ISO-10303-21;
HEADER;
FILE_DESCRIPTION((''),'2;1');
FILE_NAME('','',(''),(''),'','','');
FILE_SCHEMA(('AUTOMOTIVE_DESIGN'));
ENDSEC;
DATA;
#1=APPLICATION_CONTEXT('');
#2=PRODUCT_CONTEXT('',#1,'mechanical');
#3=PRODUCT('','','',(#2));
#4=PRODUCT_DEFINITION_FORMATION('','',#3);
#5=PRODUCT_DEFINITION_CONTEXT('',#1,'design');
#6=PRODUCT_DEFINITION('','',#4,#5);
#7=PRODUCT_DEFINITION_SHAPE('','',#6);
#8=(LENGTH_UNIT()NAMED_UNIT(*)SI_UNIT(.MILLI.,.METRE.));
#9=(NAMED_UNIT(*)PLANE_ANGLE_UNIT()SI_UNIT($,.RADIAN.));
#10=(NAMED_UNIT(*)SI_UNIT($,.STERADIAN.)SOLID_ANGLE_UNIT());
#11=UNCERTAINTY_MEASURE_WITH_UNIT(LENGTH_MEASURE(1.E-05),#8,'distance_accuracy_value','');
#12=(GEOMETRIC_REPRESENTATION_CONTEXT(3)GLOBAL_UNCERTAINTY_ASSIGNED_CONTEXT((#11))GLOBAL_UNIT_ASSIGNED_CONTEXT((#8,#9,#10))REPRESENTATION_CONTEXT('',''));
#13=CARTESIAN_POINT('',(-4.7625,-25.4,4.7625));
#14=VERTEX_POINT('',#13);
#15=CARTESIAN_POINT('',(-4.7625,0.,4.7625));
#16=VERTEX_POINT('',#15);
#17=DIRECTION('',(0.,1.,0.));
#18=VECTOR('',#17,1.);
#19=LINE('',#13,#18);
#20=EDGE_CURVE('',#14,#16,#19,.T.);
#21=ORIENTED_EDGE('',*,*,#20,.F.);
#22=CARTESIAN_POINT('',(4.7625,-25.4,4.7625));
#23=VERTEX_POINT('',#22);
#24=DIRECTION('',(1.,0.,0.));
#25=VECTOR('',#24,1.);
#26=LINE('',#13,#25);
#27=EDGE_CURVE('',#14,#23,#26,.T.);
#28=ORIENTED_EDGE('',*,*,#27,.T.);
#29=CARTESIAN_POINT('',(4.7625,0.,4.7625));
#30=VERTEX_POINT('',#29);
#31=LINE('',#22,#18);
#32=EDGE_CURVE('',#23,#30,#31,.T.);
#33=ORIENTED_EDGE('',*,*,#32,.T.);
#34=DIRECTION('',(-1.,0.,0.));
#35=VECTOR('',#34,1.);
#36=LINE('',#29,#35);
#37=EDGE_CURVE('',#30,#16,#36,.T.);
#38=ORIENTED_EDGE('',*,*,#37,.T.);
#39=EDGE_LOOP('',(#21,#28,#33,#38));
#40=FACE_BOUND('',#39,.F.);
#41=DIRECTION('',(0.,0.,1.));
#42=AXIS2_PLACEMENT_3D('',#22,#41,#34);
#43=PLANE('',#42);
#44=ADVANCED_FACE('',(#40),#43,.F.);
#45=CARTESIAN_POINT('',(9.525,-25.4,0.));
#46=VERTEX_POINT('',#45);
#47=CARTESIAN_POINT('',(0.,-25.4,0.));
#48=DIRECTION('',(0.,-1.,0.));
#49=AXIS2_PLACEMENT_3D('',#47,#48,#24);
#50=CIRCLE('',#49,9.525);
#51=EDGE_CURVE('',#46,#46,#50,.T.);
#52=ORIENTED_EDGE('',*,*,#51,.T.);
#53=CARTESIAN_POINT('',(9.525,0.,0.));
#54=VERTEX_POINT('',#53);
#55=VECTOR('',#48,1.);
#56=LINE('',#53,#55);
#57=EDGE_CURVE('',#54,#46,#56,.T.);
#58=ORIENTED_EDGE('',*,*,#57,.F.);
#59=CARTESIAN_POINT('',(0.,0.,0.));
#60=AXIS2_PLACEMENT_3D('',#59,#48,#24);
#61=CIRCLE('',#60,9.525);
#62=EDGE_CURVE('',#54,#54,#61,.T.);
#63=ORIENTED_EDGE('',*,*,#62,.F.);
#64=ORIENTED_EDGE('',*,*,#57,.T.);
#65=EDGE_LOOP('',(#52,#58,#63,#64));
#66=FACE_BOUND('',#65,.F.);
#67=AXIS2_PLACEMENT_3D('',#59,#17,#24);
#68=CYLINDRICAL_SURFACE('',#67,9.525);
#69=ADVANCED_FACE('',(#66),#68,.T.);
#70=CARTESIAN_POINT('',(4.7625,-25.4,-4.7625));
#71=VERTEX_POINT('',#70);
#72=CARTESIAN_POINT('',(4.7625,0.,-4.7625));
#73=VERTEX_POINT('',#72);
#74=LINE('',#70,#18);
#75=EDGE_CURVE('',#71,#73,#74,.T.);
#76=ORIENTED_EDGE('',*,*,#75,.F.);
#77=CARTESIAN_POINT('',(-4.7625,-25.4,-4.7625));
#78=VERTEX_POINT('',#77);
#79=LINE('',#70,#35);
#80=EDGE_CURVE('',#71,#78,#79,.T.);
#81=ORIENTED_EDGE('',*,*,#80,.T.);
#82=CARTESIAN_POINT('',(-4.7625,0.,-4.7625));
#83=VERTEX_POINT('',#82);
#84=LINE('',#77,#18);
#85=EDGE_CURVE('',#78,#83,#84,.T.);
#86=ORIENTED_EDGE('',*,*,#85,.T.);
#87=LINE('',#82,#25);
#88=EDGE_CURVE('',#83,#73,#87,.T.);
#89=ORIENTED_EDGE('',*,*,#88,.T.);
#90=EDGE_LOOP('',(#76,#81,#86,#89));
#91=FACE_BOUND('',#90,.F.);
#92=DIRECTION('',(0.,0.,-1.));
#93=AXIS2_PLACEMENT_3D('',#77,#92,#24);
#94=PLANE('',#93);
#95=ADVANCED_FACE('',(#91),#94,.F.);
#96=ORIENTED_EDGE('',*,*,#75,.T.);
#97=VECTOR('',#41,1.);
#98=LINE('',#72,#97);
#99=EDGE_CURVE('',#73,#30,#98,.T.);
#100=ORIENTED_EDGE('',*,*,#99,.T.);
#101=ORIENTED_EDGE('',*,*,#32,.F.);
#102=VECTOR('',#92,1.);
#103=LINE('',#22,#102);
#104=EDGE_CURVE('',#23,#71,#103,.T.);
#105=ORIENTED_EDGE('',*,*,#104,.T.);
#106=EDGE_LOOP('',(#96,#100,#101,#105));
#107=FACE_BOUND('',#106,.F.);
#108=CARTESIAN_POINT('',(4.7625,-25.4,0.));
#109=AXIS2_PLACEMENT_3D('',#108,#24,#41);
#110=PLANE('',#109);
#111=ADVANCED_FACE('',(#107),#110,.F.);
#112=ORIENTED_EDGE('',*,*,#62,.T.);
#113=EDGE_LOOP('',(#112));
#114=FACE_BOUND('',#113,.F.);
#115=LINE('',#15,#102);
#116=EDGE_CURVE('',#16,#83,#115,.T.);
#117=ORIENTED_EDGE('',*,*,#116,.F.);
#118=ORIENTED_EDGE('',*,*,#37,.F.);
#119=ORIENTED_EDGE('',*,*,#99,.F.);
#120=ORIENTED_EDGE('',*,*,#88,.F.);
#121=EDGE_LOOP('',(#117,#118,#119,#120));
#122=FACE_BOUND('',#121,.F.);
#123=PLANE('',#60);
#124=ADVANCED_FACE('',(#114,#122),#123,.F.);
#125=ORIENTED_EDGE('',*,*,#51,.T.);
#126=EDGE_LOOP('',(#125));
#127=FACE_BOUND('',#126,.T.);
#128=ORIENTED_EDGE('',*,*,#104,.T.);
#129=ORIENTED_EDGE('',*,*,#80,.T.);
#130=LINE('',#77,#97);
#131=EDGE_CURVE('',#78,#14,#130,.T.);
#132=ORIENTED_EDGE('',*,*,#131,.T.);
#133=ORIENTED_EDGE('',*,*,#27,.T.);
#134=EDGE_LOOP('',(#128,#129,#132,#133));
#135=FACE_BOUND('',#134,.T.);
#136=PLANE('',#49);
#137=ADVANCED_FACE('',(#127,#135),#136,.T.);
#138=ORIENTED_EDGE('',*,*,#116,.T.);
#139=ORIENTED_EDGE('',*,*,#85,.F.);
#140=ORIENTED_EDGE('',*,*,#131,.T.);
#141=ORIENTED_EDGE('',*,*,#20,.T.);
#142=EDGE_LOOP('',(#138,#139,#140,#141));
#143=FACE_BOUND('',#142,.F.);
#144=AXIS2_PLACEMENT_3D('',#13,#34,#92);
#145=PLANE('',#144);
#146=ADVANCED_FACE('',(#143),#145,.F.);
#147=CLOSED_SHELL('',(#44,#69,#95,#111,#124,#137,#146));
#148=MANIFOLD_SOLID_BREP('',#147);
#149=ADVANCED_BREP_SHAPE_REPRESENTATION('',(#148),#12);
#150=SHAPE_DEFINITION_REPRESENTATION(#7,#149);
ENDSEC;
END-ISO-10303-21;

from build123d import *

# Parameters (mm, degrees)
F0_R     = 9.525
F1_DEPTH = 25.4
F3_DEPTH = 25.401
F4_DEPTH = 25.4


with BuildPart() as f1:
    # F0 (on Front) → F1 (new body)
    with BuildSketch(Plane.XZ):
        Circle(F0_R)
    extrude(amount=F1_DEPTH)

    # F2 (on face) → F3 (cut, through all)
    with BuildSketch(Plane.XZ.offset(25.4)):
        with BuildLine():
            ThreePointArc((4.7625, 0), (3.367596, 3.367596), (0, 4.7625))
            ThreePointArc((0, 4.7625), (-3.367596, 3.367596), (-4.7625, 0))
            ThreePointArc((-4.7625, 0), (-3.367596, -3.367596), (0, -4.7625))
            ThreePointArc((0, -4.7625), (3.367596, -3.367596), (4.7625, 0))
        make_face()
    extrude(amount=-F3_DEPTH, mode=Mode.SUBTRACT)

    # F2 (on face) → F4 (cut)
    with BuildSketch(Plane.XZ.offset(25.4)):
        with BuildLine():
            Line((4.7625, 0), (4.7625, 4.7625))
            Line((4.7625, 4.7625), (0, 4.7625))
            ThreePointArc((0, 4.7625), (3.367596, 3.367596), (4.7625, 0))
        make_face()
        with BuildLine():
            ThreePointArc((-4.7625, 0), (-3.367596, 3.367596), (0, 4.7625))
            Line((0, 4.7625), (-4.7625, 4.7625))
            Line((-4.7625, 4.7625), (-4.7625, 0))
        make_face()
        with BuildLine():
            Line((4.7625, -4.7625), (4.7625, 0))
            ThreePointArc((4.7625, 0), (3.367596, -3.367596), (0, -4.7625))
            Line((0, -4.7625), (4.7625, -4.7625))
        make_face()
        with BuildLine():
            ThreePointArc((0, -4.7625), (-3.367596, -3.367596), (-4.7625, 0))
            Line((-4.7625, 0), (-4.7625, -4.7625))
            Line((-4.7625, -4.7625), (0, -4.7625))
        make_face()
    extrude(amount=-F4_DEPTH, mode=Mode.SUBTRACT)


solid = f1.part
